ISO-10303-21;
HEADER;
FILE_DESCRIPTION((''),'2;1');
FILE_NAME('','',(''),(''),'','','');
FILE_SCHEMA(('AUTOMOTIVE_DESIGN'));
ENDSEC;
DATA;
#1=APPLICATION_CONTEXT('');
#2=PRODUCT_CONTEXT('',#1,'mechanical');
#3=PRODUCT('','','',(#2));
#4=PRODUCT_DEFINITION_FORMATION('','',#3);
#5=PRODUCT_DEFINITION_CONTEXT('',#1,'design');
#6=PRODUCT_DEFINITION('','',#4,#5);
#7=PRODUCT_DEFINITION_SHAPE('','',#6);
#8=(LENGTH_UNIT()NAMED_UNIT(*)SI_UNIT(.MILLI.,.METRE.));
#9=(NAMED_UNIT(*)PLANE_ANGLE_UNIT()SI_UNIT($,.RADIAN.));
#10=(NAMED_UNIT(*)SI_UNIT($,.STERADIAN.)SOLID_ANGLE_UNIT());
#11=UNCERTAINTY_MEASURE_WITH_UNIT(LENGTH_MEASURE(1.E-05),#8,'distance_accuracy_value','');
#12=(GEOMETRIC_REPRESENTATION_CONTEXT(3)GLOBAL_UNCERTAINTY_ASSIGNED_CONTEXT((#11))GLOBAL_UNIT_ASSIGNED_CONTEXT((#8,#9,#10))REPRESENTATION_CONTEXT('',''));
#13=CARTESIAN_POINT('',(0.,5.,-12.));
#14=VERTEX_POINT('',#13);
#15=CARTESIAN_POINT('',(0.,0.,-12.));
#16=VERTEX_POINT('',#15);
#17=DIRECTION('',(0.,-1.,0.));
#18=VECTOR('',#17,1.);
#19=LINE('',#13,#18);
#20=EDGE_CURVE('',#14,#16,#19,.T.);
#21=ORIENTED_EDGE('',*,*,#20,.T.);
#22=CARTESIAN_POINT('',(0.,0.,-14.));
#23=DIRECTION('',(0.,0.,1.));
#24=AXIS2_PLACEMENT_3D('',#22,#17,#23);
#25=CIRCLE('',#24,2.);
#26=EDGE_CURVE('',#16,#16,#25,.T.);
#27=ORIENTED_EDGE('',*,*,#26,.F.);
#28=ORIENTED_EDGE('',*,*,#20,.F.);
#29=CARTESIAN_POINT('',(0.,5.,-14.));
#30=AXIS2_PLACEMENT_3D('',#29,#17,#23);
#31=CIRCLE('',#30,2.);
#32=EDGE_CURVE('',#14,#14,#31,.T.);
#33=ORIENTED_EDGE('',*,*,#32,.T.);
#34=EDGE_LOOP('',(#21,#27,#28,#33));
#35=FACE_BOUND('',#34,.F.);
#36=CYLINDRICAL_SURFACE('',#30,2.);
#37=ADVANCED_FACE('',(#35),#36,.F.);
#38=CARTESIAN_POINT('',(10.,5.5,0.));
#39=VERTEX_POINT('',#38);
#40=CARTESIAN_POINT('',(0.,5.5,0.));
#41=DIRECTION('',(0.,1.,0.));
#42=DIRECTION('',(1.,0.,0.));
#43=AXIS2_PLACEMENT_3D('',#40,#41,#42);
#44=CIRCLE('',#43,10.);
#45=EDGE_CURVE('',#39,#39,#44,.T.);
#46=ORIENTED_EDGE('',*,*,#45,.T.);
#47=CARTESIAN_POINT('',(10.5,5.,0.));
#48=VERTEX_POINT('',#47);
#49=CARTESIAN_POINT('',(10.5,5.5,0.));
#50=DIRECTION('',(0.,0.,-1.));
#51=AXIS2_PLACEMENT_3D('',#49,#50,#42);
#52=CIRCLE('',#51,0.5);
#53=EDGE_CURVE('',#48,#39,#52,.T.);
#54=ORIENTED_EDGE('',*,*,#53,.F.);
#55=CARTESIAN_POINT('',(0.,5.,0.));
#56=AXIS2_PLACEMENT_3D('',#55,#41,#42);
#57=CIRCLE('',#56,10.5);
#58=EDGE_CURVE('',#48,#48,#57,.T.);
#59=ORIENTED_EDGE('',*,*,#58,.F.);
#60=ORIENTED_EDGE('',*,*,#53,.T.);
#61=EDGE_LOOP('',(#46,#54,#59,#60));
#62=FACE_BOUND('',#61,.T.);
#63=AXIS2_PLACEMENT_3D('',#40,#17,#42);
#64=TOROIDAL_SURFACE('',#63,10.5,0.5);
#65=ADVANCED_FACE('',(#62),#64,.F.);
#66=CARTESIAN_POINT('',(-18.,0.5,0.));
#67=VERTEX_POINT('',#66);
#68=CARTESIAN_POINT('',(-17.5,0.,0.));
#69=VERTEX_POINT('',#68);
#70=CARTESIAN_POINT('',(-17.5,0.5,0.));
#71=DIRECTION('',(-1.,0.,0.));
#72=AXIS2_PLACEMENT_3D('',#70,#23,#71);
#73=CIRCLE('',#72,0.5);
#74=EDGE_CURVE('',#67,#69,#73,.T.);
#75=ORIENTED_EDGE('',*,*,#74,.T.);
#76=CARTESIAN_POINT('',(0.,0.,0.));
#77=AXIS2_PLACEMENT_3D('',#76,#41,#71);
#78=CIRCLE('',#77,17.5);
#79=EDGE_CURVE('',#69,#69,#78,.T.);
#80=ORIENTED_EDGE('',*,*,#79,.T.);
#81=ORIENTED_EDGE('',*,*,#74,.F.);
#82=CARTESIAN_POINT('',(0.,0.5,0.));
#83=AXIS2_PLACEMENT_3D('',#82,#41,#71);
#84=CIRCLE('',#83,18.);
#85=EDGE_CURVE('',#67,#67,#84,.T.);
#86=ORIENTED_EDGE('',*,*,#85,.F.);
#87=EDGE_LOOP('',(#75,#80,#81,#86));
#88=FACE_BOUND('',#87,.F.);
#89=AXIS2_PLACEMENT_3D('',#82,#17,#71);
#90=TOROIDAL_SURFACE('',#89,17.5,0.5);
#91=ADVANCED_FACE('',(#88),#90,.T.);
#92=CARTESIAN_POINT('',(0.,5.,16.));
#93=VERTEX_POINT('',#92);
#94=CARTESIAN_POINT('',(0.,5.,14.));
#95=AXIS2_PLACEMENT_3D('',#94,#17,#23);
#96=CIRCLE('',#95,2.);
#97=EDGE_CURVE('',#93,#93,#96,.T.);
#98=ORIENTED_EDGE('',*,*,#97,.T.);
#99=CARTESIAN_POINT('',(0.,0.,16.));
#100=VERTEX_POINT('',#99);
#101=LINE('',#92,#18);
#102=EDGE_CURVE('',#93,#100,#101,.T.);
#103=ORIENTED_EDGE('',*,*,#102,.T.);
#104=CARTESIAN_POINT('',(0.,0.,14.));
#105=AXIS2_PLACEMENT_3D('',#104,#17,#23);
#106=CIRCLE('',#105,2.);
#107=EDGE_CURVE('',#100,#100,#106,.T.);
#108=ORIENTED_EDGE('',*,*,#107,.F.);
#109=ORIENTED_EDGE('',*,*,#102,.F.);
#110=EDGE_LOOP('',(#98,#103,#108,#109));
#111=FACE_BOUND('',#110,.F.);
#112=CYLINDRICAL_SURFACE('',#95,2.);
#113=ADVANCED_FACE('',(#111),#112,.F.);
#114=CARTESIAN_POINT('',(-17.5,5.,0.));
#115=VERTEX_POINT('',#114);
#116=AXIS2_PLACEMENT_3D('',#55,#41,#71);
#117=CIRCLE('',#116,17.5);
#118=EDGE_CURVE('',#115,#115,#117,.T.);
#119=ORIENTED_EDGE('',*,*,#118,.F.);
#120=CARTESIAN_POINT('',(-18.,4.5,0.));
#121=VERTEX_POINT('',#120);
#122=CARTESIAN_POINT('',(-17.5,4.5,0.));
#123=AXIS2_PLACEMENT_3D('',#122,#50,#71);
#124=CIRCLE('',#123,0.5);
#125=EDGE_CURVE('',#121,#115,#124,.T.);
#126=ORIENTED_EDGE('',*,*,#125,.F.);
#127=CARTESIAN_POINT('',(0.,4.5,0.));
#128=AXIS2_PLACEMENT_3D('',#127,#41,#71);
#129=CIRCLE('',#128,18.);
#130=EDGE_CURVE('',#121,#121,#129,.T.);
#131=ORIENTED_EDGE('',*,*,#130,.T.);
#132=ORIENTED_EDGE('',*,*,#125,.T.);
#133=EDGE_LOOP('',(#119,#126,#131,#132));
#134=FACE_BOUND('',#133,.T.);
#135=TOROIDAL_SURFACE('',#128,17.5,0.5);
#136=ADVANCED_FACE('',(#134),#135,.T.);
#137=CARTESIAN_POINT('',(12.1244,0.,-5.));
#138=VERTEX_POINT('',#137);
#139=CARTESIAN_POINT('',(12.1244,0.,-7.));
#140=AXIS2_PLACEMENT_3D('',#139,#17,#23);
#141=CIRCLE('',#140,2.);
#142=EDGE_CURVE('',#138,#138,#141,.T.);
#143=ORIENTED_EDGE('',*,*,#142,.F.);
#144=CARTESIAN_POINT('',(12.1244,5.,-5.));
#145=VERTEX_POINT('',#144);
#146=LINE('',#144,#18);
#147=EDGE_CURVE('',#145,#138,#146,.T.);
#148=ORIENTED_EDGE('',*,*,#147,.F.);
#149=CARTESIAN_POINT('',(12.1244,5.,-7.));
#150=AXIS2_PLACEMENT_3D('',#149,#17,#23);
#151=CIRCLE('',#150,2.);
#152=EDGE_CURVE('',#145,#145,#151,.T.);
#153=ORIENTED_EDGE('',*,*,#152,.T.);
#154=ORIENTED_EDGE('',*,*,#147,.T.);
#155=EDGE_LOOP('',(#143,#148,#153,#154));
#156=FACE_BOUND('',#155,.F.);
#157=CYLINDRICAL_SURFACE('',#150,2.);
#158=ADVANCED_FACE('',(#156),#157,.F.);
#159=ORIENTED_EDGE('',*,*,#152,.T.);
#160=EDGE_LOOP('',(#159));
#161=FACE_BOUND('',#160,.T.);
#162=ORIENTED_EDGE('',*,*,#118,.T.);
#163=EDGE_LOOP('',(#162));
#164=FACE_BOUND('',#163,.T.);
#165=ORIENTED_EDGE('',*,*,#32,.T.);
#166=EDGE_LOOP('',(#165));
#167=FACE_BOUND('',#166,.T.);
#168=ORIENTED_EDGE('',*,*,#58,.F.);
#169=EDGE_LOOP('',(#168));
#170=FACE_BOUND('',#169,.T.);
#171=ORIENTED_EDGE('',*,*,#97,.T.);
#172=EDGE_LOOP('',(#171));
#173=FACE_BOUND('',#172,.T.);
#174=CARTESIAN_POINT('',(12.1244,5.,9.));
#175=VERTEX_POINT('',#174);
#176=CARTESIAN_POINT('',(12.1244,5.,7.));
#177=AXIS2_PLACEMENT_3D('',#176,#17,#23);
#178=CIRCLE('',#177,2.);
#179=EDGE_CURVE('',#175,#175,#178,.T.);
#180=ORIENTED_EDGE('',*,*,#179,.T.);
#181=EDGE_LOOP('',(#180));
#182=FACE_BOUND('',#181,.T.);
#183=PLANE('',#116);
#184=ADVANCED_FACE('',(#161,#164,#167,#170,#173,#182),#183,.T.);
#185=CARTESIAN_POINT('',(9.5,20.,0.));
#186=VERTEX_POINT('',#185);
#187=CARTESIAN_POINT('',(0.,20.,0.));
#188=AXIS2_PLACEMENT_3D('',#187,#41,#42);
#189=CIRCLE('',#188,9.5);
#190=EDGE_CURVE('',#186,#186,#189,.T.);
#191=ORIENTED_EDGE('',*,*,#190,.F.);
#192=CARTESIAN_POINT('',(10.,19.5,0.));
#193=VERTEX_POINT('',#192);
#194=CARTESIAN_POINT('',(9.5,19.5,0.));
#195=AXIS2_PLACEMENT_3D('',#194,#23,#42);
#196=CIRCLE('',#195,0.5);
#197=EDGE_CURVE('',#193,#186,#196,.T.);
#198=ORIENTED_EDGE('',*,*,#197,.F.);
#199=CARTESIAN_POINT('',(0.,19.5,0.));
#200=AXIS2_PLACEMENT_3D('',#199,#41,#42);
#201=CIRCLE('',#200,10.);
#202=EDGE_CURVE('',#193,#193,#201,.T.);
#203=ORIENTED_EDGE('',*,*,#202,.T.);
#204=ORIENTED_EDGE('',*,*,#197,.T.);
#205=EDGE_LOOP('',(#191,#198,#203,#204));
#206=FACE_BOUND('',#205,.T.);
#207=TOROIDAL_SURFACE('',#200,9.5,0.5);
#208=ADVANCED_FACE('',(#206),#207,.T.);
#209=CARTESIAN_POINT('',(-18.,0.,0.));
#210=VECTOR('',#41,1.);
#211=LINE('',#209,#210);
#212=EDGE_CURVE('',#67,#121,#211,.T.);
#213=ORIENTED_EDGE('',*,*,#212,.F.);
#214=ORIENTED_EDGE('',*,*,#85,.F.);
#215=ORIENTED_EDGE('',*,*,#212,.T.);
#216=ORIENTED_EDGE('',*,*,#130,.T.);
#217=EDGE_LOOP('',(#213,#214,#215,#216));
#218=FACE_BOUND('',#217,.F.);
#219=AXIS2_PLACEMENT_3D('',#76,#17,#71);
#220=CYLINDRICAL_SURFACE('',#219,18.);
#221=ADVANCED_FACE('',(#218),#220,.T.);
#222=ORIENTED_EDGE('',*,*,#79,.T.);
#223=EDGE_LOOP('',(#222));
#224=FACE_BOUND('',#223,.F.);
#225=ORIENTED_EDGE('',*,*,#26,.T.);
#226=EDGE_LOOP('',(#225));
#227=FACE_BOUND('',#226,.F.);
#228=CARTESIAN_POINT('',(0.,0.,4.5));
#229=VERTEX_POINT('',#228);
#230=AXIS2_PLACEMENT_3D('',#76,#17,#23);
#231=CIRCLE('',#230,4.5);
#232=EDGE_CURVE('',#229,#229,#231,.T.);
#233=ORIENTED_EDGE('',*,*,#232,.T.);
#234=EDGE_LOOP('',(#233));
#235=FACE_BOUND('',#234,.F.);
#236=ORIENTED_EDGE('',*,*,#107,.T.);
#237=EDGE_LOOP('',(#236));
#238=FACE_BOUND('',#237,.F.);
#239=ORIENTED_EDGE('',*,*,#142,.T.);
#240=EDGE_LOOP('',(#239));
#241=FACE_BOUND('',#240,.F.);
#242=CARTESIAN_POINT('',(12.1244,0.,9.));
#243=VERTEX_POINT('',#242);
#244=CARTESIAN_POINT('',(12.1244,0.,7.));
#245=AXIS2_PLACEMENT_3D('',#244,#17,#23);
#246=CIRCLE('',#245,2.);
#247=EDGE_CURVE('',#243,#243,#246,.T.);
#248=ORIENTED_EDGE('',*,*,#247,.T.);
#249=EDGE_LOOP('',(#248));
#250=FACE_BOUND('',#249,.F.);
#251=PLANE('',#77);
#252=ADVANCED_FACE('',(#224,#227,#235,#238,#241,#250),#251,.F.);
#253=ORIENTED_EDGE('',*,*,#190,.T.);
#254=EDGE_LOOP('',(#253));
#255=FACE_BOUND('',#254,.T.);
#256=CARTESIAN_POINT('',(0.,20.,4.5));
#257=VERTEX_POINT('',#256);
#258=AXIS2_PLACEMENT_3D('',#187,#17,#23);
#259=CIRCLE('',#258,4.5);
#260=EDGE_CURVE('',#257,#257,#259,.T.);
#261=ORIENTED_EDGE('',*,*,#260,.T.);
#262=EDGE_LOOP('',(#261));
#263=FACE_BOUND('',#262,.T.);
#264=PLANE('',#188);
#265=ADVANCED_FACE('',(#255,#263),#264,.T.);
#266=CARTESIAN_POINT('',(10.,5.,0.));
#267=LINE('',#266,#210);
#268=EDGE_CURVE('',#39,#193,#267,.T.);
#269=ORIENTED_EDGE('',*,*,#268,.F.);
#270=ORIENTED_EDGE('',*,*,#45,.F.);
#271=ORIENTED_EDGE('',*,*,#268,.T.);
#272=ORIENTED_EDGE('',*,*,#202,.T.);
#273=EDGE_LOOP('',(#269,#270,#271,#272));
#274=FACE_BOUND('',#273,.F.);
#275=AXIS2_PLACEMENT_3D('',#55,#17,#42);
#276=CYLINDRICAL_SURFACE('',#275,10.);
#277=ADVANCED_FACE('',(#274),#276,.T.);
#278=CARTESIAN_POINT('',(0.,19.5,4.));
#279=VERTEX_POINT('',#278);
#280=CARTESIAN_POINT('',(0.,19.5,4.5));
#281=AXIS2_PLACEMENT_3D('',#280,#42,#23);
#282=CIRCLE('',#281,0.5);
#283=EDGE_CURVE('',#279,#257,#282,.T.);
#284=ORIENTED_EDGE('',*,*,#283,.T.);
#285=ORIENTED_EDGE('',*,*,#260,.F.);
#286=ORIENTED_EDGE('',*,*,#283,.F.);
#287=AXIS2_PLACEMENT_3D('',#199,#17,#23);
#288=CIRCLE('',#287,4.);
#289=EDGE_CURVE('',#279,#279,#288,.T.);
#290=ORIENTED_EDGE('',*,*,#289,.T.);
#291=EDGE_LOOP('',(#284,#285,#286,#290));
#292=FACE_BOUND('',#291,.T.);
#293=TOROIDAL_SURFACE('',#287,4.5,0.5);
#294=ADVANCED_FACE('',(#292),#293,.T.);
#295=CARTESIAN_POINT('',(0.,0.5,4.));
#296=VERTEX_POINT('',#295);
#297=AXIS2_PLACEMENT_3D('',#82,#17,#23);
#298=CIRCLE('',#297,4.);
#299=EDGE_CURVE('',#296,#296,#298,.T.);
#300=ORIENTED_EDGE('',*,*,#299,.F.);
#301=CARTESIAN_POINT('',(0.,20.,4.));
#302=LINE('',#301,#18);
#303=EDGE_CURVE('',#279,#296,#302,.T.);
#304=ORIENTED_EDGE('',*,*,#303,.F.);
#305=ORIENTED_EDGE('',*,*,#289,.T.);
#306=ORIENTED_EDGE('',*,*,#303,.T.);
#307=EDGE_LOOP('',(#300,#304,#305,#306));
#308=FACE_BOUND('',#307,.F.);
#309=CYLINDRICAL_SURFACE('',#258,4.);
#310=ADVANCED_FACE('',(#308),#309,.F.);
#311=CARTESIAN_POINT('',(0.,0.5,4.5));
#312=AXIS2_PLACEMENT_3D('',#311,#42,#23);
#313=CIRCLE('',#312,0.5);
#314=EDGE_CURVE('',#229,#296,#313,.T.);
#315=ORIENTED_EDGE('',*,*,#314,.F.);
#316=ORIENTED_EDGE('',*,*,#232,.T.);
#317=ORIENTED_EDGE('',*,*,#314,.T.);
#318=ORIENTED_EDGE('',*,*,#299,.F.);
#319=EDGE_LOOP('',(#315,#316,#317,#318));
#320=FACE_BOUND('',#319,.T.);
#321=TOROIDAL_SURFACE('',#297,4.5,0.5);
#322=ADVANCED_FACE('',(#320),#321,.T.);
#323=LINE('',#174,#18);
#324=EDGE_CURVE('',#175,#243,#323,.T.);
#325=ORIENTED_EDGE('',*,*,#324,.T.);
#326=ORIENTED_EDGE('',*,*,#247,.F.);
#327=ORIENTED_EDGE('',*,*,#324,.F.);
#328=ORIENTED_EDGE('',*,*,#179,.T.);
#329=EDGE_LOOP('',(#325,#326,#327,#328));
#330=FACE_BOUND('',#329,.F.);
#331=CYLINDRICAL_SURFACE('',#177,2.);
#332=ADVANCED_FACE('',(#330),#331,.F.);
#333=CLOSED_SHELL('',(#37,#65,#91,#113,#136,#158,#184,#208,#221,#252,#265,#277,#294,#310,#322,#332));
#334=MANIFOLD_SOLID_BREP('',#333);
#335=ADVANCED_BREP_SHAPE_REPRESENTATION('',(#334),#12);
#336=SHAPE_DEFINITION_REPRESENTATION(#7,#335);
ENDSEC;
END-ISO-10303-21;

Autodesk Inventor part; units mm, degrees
ref_plane "YZ Plane" through (0, 0, 0) normal (1, 0, 0) x (0, 1, 0)
ref_plane "XZ Plane" through (0, 0, 0) normal (0, 1, 0) x (-1, 0, 0)
ref_plane "XY Plane" through (0, 0, 0) normal (0, 0, 1) x (1, 0, 0)
sketch "Sketch1" plane through (0, 0, 0) normal (0, 1, 0) x (-1, 0, 0)
  circle A0 centre (0, 0) radius 18
  dimension "d0" = 36
extrude "Extrusion1" add sketch "Sketch1" along normal blind 5
sketch "Sketch2" plane through (0, 5, 0) normal (0, 1, 0) x (1, 0, 0)
  circle A0 centre (0, 0) radius 10
  dimension "d3" = 20
extrude "Extrusion2" add sketch "Sketch2" along normal blind 15
sketch "Sketch3" plane through (0, 20, 0) normal (0, 1, 0) x (1, 0, 0)
  point P0 (0, 0)
hole "Hole1" at (0, 20, 0) direction (0, -1, 0) diameter 8 end through all
sketch "Sketch4" plane through (0, 5, 0) normal (0, 1, 0) x (1, 0, 0)
  circle A0 centre (0, 0) radius 14
  circle A1 centre (0, -14) radius 2
  circle A2 centre (12.1244, -7) radius 2
  circle A3 centre (12.1244, 7) radius 2
  circle A4 centre (0, 14) radius 2
  circle A5 centre (-12.1244, 7) radius 2
  circle A6 centre (-12.1244, -7) radius 2
  dimension "d13" = 28
  dimension "d14" = 4
  dimension "d17" = 360
hole "Hole2" at (0, 5, -14) at (0, 5, 14) at (12.1244, 5, 7) at (12.1244, 5, -7) direction (0, -1, 0) diameter 4 end through all
fillet "Fillet1" radius 0.5 6 edges at (0, 20, -4) (-10, 20, 0) (-10, 5, 0) (18, 5, 0) (18, 0, 0) (0, 0, -4)
equation "\"d19\" = d14"
properties part number "Trapezmutter_T8_ganz"
